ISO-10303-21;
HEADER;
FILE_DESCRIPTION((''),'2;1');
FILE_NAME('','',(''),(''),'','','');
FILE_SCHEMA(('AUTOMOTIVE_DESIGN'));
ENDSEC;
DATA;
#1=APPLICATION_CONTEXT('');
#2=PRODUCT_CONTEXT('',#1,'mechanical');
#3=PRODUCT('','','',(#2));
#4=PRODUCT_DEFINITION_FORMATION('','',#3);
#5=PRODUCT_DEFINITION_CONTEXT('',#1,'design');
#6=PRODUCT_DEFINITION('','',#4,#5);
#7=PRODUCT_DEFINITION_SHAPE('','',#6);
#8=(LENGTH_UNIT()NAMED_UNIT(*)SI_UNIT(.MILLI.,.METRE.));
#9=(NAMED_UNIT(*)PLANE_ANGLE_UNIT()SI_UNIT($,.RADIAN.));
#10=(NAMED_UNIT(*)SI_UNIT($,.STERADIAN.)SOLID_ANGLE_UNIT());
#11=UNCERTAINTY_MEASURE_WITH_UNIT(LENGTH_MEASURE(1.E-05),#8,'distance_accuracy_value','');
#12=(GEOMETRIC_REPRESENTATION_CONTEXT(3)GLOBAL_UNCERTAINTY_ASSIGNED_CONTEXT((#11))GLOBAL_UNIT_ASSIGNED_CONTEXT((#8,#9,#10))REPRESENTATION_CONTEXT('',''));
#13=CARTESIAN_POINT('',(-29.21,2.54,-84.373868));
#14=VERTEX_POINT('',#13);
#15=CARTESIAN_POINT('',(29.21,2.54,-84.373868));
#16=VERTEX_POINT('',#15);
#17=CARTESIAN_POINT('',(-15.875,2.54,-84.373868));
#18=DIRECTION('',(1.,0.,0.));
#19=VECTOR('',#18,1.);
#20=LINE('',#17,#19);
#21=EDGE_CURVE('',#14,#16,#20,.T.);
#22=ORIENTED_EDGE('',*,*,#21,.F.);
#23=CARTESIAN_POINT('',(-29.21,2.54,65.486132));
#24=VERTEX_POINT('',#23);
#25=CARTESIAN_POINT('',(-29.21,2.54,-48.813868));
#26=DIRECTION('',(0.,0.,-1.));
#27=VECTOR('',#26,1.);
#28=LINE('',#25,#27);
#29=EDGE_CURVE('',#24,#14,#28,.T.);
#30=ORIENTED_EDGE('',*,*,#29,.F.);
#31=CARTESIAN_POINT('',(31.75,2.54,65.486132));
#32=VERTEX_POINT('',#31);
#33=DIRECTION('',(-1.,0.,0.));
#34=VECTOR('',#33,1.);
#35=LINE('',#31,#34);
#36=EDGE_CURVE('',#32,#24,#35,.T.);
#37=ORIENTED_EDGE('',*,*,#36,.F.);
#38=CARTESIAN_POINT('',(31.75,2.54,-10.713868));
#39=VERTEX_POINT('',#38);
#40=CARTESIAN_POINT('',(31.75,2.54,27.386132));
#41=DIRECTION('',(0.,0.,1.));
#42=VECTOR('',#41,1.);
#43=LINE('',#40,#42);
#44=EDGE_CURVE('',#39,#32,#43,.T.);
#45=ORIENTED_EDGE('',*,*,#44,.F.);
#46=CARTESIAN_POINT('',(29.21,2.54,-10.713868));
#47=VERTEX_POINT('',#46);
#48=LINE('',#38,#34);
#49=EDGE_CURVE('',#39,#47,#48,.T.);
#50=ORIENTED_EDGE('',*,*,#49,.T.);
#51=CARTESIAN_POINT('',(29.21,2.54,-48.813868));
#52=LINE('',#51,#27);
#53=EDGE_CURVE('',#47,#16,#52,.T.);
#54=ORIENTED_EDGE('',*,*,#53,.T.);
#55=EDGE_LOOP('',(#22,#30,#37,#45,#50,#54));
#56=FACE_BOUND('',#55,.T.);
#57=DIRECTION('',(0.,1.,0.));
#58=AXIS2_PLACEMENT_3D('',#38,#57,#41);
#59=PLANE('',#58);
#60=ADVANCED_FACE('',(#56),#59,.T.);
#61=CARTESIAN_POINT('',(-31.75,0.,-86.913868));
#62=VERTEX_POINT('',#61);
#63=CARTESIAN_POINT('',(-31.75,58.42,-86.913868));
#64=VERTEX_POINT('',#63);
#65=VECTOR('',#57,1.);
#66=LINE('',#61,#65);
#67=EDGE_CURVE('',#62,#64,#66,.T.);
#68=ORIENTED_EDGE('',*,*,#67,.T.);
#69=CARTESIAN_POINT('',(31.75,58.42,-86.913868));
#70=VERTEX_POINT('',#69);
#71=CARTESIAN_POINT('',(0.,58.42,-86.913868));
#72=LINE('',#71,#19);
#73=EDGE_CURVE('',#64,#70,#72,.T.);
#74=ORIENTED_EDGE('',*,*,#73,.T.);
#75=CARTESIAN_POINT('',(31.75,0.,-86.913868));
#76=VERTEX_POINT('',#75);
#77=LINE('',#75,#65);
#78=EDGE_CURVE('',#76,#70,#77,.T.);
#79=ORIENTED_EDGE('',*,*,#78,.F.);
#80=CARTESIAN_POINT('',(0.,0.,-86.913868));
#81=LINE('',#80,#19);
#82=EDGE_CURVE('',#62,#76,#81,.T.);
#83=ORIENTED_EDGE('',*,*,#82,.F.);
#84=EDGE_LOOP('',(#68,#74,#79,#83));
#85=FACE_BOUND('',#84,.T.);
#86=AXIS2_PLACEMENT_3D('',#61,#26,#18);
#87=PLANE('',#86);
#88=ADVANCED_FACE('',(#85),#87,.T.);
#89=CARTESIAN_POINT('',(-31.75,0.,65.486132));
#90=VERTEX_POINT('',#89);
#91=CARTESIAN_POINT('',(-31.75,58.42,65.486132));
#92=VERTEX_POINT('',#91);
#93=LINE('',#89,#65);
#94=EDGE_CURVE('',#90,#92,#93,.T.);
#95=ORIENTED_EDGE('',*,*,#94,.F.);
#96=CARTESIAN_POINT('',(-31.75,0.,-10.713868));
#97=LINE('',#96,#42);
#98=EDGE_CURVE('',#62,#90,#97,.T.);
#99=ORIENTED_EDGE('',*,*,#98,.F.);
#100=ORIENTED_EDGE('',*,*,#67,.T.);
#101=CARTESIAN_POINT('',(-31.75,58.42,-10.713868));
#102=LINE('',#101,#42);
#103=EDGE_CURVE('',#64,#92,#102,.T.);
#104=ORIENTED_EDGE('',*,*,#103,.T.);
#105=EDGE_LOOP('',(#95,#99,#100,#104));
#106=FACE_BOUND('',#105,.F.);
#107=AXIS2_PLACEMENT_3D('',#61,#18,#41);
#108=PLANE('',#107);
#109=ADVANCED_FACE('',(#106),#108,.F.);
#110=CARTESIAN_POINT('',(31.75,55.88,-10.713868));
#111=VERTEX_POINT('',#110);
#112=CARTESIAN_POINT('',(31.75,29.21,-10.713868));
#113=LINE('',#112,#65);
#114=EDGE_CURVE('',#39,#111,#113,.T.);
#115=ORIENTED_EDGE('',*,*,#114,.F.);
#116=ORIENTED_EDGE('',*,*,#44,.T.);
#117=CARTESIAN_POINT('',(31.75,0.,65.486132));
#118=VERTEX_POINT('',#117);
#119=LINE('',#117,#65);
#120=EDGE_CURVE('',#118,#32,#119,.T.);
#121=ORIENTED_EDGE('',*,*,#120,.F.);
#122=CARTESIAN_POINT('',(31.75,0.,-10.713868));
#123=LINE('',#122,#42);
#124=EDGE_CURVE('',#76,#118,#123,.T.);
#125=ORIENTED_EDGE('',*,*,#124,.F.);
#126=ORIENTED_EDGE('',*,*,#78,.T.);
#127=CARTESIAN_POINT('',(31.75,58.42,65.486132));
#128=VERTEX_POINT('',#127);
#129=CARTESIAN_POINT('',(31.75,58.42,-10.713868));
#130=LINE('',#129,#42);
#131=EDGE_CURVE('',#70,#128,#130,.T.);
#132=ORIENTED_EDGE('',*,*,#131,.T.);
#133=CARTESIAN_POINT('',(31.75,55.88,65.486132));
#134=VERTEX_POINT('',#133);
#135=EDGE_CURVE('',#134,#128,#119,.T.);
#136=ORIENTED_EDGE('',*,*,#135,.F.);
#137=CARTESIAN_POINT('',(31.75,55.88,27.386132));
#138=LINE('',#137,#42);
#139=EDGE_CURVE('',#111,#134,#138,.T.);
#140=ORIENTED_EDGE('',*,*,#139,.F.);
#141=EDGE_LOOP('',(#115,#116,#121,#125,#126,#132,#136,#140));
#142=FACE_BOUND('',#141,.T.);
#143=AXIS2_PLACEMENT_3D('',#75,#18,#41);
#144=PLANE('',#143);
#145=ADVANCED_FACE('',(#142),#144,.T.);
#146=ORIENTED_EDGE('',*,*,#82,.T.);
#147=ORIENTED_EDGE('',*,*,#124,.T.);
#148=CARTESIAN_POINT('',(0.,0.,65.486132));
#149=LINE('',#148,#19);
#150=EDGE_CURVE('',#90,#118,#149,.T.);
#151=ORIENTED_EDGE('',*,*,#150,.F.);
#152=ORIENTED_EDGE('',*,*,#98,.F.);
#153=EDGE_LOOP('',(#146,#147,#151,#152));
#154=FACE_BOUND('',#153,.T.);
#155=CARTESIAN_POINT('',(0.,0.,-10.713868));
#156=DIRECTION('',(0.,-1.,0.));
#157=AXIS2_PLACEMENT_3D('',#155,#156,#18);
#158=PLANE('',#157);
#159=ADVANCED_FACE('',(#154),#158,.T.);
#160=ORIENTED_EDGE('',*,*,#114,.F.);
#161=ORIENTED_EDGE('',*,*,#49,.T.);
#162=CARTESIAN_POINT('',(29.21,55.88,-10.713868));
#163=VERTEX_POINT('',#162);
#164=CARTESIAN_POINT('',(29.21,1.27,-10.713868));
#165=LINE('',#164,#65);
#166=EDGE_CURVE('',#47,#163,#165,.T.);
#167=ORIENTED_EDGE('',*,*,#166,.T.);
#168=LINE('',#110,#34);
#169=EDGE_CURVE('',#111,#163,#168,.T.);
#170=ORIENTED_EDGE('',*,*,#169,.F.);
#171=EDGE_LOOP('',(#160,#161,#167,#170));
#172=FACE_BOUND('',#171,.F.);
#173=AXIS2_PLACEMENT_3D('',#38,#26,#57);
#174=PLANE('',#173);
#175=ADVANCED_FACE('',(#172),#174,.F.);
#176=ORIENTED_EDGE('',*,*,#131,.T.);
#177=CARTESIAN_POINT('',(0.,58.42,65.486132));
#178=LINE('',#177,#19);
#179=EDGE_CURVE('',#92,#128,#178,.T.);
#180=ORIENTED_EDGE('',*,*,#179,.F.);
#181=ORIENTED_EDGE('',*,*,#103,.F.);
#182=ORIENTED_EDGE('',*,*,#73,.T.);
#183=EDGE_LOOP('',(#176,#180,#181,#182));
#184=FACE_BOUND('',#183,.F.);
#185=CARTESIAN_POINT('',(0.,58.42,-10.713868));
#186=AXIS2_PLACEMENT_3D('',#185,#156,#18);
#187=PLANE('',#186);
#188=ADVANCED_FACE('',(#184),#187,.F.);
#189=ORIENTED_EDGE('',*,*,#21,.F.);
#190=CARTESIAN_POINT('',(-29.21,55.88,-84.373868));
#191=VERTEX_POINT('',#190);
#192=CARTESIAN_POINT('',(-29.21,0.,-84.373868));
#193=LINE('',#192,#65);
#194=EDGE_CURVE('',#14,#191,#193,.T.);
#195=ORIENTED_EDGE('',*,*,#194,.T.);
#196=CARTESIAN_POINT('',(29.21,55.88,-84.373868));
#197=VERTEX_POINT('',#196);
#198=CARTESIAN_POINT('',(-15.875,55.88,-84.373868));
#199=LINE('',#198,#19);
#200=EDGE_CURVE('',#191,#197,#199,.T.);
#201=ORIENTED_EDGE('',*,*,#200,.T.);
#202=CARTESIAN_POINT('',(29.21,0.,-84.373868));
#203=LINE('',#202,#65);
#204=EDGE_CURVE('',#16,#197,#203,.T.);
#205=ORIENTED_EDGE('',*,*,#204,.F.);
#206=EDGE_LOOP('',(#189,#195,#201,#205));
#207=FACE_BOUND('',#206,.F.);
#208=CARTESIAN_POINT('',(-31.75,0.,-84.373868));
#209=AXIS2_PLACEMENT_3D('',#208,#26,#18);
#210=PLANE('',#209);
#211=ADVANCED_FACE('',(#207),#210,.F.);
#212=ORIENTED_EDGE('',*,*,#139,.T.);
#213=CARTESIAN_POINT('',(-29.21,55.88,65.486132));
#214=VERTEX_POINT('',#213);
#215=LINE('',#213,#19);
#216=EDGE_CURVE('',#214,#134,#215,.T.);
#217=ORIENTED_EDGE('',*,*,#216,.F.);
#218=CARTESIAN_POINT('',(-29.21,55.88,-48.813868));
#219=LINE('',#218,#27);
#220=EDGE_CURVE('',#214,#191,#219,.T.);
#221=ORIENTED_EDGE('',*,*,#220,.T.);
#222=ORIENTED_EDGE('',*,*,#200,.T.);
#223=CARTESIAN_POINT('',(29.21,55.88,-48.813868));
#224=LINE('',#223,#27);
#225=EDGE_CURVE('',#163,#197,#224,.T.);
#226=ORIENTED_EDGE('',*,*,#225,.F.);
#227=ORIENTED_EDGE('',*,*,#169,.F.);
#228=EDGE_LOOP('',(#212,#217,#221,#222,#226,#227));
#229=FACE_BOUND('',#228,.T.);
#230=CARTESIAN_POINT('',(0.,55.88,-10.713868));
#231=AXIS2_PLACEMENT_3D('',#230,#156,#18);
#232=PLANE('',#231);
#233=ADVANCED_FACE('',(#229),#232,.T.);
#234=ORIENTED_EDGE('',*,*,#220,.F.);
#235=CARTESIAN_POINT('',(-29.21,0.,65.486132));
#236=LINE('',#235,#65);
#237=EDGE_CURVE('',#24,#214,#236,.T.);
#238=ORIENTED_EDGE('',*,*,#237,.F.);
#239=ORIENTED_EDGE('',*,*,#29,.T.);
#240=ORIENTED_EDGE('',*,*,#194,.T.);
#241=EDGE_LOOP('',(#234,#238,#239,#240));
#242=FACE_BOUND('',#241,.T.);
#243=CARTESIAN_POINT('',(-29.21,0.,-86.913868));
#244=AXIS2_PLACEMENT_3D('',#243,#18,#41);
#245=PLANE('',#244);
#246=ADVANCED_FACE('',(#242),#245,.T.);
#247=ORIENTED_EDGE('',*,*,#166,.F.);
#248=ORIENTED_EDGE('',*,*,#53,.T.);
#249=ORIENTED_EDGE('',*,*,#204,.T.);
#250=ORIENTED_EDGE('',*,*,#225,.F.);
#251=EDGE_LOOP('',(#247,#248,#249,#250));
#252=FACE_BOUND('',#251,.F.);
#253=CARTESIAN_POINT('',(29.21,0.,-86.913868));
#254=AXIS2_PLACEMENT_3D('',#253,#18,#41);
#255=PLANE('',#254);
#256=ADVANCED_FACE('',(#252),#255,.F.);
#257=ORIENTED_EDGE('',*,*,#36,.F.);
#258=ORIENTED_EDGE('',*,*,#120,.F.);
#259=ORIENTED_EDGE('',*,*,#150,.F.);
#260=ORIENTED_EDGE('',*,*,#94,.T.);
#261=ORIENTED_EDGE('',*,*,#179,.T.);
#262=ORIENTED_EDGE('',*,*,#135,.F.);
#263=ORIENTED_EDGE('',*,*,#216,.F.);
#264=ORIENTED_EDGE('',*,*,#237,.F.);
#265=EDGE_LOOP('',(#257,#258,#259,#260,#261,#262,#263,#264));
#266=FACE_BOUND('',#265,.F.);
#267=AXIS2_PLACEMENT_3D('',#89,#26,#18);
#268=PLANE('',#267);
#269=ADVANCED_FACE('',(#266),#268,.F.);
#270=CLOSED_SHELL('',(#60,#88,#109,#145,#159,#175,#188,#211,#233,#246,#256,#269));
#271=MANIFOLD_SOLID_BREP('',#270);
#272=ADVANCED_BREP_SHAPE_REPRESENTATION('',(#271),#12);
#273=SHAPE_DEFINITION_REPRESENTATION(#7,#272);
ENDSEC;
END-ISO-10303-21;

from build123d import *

# Parameters (mm, degrees)
F0_W     = 63.5
F0_H     = 152.4
F1_DEPTH = 58.42
F2_T     = -2.54
F3_W     = 53.34
F3_H     = 76.2
F4_DEPTH = 25.4


with BuildPart() as f1:
    # F0 (on Front) → F1 (new body)
    with BuildSketch(Plane.XZ):
        with Locations((0, -10.713868)):
            Rectangle(F0_W, F0_H)
    extrude(amount=-F1_DEPTH)

    # F2
    f2_openings = [f1.faces().sort_by_distance(p)[0] for p in [
        (0, 29.21, 65.486132),
    ]]
    offset(amount=F2_T, openings=f2_openings)

    # F3 (on face) → F4 (cut)
    with BuildSketch(Plane.YZ.offset(31.75)):
        with Locations((29.21, 27.386132)):
            Rectangle(F3_W, F3_H)
    extrude(amount=-F4_DEPTH, mode=Mode.SUBTRACT)


solid = f1.part
